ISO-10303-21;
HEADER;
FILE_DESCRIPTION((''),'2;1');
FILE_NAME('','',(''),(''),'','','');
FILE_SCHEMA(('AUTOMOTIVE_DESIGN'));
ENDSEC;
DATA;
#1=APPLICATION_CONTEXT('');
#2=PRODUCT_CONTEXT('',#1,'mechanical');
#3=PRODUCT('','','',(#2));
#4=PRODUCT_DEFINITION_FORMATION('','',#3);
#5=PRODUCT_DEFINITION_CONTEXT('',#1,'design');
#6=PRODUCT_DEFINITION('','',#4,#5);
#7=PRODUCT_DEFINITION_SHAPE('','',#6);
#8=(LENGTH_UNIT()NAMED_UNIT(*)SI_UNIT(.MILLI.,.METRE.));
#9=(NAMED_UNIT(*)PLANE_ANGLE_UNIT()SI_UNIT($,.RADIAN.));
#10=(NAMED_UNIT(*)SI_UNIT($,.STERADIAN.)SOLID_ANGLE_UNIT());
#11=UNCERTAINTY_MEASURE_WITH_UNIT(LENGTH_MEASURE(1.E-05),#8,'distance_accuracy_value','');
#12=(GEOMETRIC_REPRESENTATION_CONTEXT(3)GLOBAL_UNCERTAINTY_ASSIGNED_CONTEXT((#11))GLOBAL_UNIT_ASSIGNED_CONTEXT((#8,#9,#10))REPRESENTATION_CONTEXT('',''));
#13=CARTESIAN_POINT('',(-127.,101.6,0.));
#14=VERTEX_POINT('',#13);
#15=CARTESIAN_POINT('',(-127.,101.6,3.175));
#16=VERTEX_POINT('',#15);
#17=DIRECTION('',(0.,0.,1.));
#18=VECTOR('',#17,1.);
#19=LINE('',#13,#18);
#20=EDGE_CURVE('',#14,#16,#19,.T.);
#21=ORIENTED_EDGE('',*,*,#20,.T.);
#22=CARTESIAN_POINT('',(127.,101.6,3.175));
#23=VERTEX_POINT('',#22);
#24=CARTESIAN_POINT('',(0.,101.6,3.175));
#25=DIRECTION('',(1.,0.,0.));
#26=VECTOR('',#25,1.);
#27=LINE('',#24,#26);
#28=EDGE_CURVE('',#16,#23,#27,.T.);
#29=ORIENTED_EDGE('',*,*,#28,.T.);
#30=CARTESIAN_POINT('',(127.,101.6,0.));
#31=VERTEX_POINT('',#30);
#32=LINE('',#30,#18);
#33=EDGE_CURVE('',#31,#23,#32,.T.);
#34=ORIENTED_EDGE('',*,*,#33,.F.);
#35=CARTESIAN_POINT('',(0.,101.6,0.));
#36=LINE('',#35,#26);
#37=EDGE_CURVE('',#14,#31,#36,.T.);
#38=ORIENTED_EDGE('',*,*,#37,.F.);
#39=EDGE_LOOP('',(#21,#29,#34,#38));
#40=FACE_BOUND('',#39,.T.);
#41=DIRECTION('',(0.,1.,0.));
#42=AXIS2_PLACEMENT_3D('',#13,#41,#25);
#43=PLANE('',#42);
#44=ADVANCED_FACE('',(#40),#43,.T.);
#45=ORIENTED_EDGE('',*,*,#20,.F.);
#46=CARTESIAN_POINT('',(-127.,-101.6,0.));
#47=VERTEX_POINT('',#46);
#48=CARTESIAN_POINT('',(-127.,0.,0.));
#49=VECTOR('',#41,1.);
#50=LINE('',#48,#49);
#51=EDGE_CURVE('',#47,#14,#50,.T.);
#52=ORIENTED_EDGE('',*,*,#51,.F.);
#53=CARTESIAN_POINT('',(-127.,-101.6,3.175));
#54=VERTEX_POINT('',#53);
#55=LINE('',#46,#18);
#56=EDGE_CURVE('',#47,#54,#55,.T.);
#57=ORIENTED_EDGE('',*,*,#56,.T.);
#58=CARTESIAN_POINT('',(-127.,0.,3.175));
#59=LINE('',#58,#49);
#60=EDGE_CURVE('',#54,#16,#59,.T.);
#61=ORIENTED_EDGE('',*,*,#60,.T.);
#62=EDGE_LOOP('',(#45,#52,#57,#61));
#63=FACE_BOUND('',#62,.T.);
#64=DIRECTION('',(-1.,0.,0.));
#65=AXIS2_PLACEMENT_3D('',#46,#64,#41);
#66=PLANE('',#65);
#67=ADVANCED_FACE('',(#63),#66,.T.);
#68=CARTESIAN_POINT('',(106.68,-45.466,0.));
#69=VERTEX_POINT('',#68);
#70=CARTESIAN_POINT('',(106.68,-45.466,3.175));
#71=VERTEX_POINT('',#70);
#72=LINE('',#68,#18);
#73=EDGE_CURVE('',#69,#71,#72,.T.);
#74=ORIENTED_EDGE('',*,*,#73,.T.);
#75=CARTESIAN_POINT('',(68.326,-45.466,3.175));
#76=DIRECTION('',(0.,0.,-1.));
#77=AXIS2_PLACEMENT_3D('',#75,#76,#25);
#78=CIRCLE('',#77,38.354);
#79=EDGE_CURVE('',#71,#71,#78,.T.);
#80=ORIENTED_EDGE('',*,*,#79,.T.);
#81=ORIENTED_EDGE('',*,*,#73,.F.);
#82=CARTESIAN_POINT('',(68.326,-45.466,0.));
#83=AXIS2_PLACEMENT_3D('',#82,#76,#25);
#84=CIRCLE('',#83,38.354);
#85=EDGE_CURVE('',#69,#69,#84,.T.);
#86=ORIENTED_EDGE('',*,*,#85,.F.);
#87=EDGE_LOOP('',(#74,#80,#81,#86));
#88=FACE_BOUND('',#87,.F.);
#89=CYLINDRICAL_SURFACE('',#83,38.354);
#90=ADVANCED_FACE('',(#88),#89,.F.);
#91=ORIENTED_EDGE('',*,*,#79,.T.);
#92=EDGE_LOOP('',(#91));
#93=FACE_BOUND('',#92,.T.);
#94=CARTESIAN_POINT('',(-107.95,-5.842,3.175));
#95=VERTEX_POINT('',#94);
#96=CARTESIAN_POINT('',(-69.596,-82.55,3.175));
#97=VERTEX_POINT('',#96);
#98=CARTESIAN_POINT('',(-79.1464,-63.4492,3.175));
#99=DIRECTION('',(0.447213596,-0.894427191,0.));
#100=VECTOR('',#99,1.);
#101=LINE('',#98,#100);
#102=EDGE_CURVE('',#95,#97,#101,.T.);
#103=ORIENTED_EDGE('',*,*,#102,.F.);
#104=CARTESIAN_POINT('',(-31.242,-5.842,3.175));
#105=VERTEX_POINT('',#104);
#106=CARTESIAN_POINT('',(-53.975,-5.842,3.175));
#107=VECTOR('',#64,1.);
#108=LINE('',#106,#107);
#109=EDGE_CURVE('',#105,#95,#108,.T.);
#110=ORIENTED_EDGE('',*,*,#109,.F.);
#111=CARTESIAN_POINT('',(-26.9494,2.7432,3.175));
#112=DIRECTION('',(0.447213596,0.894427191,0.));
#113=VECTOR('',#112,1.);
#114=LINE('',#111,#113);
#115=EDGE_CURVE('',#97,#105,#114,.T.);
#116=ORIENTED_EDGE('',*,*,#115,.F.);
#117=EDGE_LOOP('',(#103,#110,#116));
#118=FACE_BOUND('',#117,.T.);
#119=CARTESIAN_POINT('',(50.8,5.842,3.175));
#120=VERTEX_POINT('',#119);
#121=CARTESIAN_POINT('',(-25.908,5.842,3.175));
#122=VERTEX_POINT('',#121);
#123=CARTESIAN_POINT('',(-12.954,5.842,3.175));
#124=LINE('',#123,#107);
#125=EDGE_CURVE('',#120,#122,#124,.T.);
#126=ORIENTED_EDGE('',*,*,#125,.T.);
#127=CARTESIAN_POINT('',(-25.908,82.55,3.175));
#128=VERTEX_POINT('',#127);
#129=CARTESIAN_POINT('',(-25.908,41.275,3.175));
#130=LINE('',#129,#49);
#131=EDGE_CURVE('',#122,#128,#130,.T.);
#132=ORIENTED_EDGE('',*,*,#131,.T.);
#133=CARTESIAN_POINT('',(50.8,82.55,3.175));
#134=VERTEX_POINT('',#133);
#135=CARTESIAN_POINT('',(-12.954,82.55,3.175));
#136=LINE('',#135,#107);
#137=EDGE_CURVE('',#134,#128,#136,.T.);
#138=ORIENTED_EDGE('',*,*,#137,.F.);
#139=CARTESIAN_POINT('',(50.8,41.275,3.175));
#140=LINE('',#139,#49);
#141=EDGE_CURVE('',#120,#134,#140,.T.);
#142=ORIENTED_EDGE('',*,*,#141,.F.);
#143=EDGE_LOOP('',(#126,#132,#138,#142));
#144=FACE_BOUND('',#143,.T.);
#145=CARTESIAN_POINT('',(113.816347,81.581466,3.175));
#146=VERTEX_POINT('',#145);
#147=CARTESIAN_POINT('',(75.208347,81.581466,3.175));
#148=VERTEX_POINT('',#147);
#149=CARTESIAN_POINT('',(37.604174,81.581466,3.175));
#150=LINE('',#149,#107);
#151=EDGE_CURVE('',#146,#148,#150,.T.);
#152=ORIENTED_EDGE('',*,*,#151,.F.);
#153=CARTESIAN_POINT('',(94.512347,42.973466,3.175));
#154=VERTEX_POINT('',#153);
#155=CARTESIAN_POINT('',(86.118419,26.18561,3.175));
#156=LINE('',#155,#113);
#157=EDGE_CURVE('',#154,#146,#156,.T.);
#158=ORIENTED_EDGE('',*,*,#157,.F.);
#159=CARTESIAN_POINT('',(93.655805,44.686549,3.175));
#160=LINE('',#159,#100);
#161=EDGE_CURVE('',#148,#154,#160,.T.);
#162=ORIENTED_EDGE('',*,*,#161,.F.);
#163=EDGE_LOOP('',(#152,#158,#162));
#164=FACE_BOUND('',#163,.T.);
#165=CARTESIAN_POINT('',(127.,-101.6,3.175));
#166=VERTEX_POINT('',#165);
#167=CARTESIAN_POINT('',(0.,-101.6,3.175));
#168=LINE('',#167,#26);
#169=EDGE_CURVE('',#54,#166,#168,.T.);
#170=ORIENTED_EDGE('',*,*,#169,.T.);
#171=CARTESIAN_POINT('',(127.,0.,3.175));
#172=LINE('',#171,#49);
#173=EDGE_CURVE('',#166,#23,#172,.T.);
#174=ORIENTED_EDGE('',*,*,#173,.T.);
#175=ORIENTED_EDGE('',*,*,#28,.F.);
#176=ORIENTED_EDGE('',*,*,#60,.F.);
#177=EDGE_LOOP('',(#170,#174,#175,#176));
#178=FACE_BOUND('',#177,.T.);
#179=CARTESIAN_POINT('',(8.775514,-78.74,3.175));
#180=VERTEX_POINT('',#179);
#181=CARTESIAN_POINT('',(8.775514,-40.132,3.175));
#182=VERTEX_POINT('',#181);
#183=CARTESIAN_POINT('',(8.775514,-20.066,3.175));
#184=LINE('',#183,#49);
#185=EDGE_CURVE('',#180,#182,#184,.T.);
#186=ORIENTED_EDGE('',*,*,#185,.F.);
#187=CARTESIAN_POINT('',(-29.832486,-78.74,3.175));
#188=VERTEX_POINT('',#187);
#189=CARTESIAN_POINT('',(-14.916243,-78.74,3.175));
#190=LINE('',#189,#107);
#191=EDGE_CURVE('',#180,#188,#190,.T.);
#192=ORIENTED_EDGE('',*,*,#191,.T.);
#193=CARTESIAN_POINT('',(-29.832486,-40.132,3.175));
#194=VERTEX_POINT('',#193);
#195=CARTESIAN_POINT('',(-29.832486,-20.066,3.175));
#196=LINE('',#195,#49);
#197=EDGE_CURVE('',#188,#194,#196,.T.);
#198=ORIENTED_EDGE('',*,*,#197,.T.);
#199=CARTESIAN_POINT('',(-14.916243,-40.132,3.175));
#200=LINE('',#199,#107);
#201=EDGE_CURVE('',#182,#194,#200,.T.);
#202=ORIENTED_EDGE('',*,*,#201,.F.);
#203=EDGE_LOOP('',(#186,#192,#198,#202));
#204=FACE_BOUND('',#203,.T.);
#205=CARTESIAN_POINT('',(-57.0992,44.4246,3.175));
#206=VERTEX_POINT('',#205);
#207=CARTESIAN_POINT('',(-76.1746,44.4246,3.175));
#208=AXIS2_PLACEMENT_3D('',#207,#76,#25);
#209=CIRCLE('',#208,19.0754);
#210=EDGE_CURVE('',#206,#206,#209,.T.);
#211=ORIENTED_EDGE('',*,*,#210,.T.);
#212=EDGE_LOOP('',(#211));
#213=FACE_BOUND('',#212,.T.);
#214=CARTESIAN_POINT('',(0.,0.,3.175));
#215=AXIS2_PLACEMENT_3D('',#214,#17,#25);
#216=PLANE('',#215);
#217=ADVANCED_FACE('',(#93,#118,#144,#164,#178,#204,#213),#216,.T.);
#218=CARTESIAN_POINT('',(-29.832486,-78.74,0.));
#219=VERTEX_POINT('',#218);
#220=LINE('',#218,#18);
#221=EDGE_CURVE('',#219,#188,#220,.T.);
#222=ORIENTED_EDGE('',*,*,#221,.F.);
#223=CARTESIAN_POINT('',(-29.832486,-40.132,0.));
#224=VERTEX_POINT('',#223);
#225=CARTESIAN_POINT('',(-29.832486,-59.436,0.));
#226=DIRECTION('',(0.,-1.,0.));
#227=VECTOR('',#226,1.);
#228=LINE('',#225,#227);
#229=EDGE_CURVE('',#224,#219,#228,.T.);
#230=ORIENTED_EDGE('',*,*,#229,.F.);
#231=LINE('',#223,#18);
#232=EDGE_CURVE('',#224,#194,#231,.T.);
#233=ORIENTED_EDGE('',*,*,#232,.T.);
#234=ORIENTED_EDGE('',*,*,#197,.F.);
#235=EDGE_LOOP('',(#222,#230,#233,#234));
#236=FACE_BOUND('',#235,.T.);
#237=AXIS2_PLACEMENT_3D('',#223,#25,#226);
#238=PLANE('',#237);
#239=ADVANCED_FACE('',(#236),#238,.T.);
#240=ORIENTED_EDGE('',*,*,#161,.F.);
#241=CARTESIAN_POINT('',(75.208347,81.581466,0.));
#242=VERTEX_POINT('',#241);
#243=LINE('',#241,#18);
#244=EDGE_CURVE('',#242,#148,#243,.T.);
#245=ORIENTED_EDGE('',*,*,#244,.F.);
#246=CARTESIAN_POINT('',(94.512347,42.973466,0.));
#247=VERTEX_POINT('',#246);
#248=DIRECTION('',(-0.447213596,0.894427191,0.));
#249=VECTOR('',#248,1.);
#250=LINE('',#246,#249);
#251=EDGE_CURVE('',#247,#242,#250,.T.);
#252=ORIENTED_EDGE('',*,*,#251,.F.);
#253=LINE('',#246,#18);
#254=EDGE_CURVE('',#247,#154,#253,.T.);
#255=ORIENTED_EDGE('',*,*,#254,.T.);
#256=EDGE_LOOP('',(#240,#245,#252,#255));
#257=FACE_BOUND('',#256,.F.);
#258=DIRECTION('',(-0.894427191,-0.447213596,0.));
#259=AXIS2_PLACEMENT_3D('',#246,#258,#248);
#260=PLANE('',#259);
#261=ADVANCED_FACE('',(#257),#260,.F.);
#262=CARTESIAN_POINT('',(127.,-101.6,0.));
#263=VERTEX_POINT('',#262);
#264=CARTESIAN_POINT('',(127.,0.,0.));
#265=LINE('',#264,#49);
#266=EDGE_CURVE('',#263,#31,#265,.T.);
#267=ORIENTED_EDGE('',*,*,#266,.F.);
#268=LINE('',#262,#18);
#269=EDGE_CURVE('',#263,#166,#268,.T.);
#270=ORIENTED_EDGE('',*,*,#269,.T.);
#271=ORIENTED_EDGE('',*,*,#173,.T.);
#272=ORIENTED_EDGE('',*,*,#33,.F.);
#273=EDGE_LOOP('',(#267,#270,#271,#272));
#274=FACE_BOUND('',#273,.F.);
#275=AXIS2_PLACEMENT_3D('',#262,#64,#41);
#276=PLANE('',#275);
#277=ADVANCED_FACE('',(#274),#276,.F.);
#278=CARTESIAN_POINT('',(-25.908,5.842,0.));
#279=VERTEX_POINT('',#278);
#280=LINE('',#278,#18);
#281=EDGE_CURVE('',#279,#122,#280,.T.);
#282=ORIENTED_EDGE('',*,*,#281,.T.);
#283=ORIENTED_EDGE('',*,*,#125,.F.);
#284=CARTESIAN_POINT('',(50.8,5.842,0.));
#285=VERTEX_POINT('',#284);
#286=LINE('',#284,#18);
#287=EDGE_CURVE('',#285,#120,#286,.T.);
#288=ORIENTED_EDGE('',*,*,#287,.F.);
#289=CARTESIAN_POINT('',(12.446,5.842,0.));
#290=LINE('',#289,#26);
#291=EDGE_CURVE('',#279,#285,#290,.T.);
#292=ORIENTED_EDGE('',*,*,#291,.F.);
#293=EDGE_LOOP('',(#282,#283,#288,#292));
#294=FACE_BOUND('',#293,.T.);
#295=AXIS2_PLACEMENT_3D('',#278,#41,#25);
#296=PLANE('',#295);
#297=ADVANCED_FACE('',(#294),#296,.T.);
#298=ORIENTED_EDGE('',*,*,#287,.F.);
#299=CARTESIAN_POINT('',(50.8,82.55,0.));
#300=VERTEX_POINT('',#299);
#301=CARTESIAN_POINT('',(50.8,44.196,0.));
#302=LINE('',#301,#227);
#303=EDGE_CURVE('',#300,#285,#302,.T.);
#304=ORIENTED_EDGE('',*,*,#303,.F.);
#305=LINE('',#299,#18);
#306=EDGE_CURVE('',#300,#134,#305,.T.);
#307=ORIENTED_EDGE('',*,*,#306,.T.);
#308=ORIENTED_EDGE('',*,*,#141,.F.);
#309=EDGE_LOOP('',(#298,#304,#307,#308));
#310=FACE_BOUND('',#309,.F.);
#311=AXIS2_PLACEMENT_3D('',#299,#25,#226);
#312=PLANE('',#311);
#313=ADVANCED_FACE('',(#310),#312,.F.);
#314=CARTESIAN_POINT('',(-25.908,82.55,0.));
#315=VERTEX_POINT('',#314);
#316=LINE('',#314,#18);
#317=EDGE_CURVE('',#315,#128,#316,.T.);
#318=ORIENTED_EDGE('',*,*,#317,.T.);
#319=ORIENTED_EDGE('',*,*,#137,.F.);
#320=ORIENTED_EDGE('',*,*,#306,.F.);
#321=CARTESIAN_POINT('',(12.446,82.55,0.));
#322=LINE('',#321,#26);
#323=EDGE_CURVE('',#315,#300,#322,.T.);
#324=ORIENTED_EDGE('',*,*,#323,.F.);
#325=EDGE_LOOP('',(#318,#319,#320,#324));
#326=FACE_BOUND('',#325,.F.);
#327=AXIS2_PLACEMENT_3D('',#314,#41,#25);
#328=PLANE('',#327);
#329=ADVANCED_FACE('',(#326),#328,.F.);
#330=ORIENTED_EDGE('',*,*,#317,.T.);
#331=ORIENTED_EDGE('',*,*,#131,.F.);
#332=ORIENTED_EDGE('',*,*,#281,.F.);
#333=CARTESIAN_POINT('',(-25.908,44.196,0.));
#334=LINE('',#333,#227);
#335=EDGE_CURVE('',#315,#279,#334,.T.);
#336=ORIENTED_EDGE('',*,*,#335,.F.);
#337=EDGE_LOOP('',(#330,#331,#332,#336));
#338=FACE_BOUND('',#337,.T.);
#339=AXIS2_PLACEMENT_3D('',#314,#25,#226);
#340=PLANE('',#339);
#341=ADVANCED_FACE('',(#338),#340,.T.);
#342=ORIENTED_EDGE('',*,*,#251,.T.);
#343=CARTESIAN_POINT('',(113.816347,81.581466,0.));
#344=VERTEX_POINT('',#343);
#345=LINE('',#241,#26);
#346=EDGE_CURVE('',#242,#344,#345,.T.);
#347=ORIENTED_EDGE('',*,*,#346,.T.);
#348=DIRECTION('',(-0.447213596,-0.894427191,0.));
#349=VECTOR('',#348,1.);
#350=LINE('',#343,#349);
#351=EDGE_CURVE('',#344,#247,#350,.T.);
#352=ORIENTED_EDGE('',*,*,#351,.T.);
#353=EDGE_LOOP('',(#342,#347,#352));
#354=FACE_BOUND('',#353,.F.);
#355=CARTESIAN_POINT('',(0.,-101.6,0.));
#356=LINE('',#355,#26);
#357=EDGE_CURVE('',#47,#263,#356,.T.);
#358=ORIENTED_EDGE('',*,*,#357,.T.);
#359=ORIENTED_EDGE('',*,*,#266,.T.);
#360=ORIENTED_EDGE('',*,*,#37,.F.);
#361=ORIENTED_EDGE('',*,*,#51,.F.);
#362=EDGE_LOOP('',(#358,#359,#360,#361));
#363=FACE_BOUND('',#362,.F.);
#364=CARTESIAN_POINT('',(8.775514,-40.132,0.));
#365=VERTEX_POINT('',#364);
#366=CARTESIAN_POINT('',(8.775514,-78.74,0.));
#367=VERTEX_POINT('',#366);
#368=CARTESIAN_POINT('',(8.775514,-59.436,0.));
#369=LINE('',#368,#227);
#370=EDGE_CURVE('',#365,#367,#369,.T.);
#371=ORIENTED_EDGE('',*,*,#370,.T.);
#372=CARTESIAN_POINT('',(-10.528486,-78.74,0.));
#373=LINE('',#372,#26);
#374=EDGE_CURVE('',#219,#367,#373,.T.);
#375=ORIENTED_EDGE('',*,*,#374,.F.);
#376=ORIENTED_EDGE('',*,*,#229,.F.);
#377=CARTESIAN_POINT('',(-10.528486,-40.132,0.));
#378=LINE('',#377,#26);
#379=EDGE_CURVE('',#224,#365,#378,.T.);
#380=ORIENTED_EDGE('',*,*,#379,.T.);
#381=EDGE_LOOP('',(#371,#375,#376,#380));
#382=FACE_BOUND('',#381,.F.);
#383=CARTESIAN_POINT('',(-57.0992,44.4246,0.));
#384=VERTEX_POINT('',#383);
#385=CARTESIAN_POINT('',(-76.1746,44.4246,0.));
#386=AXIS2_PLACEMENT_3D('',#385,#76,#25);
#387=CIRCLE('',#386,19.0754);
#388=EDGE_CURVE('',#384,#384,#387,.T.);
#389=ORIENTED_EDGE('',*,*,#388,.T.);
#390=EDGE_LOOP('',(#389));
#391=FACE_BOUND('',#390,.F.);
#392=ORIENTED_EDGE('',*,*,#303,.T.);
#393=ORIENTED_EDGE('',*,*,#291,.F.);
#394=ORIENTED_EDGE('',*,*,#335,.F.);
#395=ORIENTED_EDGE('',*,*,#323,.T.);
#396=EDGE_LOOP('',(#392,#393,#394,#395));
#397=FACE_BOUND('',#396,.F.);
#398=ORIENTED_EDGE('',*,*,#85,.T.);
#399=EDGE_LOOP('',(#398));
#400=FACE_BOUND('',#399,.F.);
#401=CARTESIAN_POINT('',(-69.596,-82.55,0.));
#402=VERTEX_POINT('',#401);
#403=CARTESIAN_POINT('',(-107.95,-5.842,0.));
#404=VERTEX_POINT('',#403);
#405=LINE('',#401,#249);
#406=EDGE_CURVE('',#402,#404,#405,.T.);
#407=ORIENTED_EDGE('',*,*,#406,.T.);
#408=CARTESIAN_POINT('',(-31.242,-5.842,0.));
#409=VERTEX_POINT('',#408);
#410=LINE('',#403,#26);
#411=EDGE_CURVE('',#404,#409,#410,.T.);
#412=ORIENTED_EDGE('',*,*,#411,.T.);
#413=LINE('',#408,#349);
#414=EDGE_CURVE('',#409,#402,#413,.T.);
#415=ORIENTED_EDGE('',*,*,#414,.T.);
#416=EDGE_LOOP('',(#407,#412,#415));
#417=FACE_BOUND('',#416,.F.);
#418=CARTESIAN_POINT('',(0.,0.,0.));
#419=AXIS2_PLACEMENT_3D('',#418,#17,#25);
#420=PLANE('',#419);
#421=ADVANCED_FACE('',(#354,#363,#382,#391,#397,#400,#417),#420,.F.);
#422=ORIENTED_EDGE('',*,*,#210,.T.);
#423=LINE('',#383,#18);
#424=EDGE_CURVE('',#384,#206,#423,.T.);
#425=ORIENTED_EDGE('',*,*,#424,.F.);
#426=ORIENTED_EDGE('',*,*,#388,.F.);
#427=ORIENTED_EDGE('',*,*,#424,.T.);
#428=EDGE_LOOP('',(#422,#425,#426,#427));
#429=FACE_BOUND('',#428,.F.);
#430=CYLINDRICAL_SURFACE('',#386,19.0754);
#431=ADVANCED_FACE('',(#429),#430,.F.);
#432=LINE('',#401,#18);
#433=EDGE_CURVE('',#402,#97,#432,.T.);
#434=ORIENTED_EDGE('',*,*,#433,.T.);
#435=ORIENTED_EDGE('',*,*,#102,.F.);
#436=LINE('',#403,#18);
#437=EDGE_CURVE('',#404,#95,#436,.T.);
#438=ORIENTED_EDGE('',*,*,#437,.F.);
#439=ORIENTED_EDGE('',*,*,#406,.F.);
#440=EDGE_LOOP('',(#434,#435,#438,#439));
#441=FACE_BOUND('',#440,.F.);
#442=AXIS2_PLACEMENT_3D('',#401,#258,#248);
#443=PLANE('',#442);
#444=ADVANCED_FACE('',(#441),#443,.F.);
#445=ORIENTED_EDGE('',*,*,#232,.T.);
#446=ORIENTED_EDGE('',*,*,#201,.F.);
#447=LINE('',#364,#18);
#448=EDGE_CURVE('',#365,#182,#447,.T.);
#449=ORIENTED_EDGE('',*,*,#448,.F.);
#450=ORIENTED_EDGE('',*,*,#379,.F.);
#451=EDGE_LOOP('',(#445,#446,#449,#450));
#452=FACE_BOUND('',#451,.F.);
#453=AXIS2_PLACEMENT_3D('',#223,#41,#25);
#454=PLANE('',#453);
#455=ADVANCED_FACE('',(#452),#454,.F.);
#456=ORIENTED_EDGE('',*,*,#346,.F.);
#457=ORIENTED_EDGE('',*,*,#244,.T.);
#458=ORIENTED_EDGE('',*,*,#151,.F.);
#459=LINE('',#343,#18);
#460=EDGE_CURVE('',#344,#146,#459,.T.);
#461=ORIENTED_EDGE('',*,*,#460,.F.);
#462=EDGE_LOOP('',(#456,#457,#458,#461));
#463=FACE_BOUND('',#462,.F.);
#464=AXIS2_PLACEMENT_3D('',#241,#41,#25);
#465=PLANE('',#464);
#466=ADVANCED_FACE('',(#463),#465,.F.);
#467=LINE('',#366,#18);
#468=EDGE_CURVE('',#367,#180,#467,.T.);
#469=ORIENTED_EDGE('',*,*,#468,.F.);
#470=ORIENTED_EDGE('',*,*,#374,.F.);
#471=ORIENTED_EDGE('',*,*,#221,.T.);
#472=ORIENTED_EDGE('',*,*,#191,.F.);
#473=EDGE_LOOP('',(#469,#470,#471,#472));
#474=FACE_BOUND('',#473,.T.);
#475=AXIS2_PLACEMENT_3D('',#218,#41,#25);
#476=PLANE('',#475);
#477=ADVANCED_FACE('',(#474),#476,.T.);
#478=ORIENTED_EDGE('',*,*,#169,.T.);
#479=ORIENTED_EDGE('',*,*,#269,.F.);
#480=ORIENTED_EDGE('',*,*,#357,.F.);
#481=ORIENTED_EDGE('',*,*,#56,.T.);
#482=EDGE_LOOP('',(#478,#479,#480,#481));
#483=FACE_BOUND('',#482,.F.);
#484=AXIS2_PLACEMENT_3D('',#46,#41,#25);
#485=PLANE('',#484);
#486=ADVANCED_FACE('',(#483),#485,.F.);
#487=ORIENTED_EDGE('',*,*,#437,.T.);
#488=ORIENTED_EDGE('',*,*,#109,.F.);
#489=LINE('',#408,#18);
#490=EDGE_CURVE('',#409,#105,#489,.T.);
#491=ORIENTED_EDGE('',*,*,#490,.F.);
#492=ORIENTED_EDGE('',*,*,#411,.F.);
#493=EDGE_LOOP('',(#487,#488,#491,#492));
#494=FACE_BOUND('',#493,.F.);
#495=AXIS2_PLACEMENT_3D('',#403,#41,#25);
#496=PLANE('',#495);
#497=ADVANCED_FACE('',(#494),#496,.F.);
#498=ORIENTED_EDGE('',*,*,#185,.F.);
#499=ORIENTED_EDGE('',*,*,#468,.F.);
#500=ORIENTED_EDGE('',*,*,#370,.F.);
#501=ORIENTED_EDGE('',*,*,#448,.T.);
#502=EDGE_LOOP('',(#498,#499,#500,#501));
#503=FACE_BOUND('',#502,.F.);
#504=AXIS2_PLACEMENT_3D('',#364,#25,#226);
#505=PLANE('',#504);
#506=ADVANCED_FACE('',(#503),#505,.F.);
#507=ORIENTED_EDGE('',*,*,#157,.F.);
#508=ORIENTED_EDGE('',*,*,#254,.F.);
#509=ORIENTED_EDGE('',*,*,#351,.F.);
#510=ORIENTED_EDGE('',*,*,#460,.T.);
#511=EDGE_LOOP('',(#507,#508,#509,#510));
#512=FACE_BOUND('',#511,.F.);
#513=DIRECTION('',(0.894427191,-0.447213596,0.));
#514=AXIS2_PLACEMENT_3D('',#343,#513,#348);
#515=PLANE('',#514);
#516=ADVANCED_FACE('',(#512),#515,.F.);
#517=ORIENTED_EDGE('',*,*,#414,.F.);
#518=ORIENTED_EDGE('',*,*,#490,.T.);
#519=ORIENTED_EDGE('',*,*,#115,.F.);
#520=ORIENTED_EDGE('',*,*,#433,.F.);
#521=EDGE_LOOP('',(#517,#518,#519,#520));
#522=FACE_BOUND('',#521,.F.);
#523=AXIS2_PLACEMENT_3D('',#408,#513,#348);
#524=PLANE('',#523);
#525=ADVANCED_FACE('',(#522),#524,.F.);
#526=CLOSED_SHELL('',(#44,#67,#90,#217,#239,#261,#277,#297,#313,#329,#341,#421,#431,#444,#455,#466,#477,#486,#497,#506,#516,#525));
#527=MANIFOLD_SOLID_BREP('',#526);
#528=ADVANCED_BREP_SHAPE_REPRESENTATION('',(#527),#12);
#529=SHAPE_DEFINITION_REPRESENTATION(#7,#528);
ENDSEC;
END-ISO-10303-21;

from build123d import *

# Parameters (mm, degrees)
F0_W      = 254
F0_H      = 203.2
F1_DEPTH  = 3.175
F3_DEPTH  = 25.4
F4_W      = 76.708
F4_H      = 76.708
F5_DEPTH  = 25.4
F6_R      = 38.354
F7_DEPTH  = 25.4
F9_DEPTH  = 25.4
F10_R     = 19.0754
F11_DEPTH = 25.4
F12_W     = 38.608
F12_H     = 38.608
F13_DEPTH = 25.4


with BuildPart() as f1:
    # F0 (on Top) → F1 (new body)
    with BuildSketch(Plane.XY):
        Rectangle(F0_W, F0_H)
    extrude(amount=F1_DEPTH)

    # F2 (on face) → F3 (cut)
    with BuildSketch(Plane(origin=(0, 0, 0), x_dir=(1, 0, 0), z_dir=(0, 0, -1))):
        Polygon((-69.596, 82.55), (-107.95, 5.842), (-31.242, 5.842), align=None)
    extrude(amount=-F3_DEPTH, mode=Mode.SUBTRACT)

    # F4 (on face) → F5 (cut)
    with BuildSketch(Plane(origin=(0, 0, 0), x_dir=(1, 0, 0), z_dir=(0, 0, -1))):
        with Locations((12.446, -44.196)):
            Rectangle(F4_W, F4_H)
    extrude(amount=-F5_DEPTH, mode=Mode.SUBTRACT)

    # F6 (on face) → F7 (cut)
    with BuildSketch(Plane(origin=(0, 0, 0), x_dir=(1, 0, 0), z_dir=(0, 0, -1))):
        with Locations((68.326, 45.466)):
            Circle(F6_R)
    extrude(amount=-F7_DEPTH, mode=Mode.SUBTRACT)

    # F8 (on face) → F9 (cut)
    with BuildSketch(Plane(origin=(0, 0, 0), x_dir=(1, 0, 0), z_dir=(0, 0, -1))):
        Polygon((94.512347, -42.973466), (75.208347, -81.581466), (113.816347, -81.581466), align=None)
    extrude(amount=-F9_DEPTH, mode=Mode.SUBTRACT)

    # F10 (on face) → F11 (cut)
    with BuildSketch(Plane(origin=(0, 0, 0), x_dir=(1, 0, 0), z_dir=(0, 0, -1))):
        with Locations((-76.1746, -44.4246)):
            Circle(F10_R)
    extrude(amount=-F11_DEPTH, mode=Mode.SUBTRACT)

    # F12 (on face) → F13 (cut)
    with BuildSketch(Plane(origin=(0, 0, 0), x_dir=(1, 0, 0), z_dir=(0, 0, -1))):
        with Locations((-10.528486, 59.436)):
            Rectangle(F12_W, F12_H)
    extrude(amount=-F13_DEPTH, mode=Mode.SUBTRACT)


solid = f1.part
